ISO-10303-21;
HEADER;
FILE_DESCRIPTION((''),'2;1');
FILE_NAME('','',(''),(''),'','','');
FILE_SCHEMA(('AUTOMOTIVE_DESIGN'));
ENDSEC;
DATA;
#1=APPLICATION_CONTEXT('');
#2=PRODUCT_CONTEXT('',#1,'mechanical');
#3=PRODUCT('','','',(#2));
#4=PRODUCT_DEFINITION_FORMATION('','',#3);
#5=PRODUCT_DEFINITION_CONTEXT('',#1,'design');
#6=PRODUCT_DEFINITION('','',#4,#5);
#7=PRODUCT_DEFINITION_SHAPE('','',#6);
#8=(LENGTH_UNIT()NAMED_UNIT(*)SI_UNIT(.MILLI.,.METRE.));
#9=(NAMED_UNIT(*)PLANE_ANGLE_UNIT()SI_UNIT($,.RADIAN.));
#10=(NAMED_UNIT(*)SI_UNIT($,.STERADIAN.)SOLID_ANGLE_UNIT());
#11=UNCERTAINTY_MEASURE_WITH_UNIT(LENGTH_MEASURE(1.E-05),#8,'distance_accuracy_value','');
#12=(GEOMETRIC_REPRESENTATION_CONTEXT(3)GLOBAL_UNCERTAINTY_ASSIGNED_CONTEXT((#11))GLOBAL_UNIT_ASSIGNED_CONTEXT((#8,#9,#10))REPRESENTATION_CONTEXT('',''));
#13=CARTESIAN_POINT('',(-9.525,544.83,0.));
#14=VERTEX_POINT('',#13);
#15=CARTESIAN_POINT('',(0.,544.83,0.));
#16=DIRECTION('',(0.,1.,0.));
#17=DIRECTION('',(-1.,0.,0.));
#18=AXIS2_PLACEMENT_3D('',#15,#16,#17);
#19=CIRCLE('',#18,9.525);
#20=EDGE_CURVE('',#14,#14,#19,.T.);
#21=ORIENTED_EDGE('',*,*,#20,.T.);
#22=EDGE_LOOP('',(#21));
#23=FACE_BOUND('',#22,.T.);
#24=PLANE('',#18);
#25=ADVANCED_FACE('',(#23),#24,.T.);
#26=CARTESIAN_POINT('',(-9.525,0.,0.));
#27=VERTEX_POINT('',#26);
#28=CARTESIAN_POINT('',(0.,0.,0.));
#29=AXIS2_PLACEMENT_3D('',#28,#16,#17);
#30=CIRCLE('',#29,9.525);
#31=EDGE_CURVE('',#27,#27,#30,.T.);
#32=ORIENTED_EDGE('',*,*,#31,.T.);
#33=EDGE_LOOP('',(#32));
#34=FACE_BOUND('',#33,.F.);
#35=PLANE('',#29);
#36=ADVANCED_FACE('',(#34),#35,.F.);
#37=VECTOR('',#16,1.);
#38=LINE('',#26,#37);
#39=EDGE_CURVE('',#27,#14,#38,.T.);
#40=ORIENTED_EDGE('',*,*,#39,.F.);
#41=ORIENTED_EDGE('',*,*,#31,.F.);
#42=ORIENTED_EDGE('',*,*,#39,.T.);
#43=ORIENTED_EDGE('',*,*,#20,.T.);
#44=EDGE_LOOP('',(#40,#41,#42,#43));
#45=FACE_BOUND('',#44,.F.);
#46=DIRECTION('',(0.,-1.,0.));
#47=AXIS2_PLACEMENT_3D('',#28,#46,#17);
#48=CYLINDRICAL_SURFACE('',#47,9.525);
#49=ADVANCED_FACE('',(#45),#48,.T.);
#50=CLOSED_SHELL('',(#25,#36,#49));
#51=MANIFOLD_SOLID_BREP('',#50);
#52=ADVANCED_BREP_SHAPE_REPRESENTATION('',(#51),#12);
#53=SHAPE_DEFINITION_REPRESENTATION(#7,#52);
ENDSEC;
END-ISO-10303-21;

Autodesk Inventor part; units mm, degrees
ref_plane "YZ Plane" through (0, 0, 0) normal (1, 0, 0) x (0, 1, 0)
ref_plane "XZ Plane" through (0, 0, 0) normal (0, 1, 0) x (-1, 0, 0)
ref_plane "XY Plane" through (0, 0, 0) normal (0, 0, 1) x (1, 0, 0)
sketch "Sketch1" plane through (0, 0, 0) normal (0, 1, 0) x (-1, 0, 0)
  circle A0 centre (0, 0) radius 9.525
  dimension "d0" = 19.05
extrude "Extrusion1" add sketch "Sketch1" along normal blind 544.83
properties part number "Frame Rod"
